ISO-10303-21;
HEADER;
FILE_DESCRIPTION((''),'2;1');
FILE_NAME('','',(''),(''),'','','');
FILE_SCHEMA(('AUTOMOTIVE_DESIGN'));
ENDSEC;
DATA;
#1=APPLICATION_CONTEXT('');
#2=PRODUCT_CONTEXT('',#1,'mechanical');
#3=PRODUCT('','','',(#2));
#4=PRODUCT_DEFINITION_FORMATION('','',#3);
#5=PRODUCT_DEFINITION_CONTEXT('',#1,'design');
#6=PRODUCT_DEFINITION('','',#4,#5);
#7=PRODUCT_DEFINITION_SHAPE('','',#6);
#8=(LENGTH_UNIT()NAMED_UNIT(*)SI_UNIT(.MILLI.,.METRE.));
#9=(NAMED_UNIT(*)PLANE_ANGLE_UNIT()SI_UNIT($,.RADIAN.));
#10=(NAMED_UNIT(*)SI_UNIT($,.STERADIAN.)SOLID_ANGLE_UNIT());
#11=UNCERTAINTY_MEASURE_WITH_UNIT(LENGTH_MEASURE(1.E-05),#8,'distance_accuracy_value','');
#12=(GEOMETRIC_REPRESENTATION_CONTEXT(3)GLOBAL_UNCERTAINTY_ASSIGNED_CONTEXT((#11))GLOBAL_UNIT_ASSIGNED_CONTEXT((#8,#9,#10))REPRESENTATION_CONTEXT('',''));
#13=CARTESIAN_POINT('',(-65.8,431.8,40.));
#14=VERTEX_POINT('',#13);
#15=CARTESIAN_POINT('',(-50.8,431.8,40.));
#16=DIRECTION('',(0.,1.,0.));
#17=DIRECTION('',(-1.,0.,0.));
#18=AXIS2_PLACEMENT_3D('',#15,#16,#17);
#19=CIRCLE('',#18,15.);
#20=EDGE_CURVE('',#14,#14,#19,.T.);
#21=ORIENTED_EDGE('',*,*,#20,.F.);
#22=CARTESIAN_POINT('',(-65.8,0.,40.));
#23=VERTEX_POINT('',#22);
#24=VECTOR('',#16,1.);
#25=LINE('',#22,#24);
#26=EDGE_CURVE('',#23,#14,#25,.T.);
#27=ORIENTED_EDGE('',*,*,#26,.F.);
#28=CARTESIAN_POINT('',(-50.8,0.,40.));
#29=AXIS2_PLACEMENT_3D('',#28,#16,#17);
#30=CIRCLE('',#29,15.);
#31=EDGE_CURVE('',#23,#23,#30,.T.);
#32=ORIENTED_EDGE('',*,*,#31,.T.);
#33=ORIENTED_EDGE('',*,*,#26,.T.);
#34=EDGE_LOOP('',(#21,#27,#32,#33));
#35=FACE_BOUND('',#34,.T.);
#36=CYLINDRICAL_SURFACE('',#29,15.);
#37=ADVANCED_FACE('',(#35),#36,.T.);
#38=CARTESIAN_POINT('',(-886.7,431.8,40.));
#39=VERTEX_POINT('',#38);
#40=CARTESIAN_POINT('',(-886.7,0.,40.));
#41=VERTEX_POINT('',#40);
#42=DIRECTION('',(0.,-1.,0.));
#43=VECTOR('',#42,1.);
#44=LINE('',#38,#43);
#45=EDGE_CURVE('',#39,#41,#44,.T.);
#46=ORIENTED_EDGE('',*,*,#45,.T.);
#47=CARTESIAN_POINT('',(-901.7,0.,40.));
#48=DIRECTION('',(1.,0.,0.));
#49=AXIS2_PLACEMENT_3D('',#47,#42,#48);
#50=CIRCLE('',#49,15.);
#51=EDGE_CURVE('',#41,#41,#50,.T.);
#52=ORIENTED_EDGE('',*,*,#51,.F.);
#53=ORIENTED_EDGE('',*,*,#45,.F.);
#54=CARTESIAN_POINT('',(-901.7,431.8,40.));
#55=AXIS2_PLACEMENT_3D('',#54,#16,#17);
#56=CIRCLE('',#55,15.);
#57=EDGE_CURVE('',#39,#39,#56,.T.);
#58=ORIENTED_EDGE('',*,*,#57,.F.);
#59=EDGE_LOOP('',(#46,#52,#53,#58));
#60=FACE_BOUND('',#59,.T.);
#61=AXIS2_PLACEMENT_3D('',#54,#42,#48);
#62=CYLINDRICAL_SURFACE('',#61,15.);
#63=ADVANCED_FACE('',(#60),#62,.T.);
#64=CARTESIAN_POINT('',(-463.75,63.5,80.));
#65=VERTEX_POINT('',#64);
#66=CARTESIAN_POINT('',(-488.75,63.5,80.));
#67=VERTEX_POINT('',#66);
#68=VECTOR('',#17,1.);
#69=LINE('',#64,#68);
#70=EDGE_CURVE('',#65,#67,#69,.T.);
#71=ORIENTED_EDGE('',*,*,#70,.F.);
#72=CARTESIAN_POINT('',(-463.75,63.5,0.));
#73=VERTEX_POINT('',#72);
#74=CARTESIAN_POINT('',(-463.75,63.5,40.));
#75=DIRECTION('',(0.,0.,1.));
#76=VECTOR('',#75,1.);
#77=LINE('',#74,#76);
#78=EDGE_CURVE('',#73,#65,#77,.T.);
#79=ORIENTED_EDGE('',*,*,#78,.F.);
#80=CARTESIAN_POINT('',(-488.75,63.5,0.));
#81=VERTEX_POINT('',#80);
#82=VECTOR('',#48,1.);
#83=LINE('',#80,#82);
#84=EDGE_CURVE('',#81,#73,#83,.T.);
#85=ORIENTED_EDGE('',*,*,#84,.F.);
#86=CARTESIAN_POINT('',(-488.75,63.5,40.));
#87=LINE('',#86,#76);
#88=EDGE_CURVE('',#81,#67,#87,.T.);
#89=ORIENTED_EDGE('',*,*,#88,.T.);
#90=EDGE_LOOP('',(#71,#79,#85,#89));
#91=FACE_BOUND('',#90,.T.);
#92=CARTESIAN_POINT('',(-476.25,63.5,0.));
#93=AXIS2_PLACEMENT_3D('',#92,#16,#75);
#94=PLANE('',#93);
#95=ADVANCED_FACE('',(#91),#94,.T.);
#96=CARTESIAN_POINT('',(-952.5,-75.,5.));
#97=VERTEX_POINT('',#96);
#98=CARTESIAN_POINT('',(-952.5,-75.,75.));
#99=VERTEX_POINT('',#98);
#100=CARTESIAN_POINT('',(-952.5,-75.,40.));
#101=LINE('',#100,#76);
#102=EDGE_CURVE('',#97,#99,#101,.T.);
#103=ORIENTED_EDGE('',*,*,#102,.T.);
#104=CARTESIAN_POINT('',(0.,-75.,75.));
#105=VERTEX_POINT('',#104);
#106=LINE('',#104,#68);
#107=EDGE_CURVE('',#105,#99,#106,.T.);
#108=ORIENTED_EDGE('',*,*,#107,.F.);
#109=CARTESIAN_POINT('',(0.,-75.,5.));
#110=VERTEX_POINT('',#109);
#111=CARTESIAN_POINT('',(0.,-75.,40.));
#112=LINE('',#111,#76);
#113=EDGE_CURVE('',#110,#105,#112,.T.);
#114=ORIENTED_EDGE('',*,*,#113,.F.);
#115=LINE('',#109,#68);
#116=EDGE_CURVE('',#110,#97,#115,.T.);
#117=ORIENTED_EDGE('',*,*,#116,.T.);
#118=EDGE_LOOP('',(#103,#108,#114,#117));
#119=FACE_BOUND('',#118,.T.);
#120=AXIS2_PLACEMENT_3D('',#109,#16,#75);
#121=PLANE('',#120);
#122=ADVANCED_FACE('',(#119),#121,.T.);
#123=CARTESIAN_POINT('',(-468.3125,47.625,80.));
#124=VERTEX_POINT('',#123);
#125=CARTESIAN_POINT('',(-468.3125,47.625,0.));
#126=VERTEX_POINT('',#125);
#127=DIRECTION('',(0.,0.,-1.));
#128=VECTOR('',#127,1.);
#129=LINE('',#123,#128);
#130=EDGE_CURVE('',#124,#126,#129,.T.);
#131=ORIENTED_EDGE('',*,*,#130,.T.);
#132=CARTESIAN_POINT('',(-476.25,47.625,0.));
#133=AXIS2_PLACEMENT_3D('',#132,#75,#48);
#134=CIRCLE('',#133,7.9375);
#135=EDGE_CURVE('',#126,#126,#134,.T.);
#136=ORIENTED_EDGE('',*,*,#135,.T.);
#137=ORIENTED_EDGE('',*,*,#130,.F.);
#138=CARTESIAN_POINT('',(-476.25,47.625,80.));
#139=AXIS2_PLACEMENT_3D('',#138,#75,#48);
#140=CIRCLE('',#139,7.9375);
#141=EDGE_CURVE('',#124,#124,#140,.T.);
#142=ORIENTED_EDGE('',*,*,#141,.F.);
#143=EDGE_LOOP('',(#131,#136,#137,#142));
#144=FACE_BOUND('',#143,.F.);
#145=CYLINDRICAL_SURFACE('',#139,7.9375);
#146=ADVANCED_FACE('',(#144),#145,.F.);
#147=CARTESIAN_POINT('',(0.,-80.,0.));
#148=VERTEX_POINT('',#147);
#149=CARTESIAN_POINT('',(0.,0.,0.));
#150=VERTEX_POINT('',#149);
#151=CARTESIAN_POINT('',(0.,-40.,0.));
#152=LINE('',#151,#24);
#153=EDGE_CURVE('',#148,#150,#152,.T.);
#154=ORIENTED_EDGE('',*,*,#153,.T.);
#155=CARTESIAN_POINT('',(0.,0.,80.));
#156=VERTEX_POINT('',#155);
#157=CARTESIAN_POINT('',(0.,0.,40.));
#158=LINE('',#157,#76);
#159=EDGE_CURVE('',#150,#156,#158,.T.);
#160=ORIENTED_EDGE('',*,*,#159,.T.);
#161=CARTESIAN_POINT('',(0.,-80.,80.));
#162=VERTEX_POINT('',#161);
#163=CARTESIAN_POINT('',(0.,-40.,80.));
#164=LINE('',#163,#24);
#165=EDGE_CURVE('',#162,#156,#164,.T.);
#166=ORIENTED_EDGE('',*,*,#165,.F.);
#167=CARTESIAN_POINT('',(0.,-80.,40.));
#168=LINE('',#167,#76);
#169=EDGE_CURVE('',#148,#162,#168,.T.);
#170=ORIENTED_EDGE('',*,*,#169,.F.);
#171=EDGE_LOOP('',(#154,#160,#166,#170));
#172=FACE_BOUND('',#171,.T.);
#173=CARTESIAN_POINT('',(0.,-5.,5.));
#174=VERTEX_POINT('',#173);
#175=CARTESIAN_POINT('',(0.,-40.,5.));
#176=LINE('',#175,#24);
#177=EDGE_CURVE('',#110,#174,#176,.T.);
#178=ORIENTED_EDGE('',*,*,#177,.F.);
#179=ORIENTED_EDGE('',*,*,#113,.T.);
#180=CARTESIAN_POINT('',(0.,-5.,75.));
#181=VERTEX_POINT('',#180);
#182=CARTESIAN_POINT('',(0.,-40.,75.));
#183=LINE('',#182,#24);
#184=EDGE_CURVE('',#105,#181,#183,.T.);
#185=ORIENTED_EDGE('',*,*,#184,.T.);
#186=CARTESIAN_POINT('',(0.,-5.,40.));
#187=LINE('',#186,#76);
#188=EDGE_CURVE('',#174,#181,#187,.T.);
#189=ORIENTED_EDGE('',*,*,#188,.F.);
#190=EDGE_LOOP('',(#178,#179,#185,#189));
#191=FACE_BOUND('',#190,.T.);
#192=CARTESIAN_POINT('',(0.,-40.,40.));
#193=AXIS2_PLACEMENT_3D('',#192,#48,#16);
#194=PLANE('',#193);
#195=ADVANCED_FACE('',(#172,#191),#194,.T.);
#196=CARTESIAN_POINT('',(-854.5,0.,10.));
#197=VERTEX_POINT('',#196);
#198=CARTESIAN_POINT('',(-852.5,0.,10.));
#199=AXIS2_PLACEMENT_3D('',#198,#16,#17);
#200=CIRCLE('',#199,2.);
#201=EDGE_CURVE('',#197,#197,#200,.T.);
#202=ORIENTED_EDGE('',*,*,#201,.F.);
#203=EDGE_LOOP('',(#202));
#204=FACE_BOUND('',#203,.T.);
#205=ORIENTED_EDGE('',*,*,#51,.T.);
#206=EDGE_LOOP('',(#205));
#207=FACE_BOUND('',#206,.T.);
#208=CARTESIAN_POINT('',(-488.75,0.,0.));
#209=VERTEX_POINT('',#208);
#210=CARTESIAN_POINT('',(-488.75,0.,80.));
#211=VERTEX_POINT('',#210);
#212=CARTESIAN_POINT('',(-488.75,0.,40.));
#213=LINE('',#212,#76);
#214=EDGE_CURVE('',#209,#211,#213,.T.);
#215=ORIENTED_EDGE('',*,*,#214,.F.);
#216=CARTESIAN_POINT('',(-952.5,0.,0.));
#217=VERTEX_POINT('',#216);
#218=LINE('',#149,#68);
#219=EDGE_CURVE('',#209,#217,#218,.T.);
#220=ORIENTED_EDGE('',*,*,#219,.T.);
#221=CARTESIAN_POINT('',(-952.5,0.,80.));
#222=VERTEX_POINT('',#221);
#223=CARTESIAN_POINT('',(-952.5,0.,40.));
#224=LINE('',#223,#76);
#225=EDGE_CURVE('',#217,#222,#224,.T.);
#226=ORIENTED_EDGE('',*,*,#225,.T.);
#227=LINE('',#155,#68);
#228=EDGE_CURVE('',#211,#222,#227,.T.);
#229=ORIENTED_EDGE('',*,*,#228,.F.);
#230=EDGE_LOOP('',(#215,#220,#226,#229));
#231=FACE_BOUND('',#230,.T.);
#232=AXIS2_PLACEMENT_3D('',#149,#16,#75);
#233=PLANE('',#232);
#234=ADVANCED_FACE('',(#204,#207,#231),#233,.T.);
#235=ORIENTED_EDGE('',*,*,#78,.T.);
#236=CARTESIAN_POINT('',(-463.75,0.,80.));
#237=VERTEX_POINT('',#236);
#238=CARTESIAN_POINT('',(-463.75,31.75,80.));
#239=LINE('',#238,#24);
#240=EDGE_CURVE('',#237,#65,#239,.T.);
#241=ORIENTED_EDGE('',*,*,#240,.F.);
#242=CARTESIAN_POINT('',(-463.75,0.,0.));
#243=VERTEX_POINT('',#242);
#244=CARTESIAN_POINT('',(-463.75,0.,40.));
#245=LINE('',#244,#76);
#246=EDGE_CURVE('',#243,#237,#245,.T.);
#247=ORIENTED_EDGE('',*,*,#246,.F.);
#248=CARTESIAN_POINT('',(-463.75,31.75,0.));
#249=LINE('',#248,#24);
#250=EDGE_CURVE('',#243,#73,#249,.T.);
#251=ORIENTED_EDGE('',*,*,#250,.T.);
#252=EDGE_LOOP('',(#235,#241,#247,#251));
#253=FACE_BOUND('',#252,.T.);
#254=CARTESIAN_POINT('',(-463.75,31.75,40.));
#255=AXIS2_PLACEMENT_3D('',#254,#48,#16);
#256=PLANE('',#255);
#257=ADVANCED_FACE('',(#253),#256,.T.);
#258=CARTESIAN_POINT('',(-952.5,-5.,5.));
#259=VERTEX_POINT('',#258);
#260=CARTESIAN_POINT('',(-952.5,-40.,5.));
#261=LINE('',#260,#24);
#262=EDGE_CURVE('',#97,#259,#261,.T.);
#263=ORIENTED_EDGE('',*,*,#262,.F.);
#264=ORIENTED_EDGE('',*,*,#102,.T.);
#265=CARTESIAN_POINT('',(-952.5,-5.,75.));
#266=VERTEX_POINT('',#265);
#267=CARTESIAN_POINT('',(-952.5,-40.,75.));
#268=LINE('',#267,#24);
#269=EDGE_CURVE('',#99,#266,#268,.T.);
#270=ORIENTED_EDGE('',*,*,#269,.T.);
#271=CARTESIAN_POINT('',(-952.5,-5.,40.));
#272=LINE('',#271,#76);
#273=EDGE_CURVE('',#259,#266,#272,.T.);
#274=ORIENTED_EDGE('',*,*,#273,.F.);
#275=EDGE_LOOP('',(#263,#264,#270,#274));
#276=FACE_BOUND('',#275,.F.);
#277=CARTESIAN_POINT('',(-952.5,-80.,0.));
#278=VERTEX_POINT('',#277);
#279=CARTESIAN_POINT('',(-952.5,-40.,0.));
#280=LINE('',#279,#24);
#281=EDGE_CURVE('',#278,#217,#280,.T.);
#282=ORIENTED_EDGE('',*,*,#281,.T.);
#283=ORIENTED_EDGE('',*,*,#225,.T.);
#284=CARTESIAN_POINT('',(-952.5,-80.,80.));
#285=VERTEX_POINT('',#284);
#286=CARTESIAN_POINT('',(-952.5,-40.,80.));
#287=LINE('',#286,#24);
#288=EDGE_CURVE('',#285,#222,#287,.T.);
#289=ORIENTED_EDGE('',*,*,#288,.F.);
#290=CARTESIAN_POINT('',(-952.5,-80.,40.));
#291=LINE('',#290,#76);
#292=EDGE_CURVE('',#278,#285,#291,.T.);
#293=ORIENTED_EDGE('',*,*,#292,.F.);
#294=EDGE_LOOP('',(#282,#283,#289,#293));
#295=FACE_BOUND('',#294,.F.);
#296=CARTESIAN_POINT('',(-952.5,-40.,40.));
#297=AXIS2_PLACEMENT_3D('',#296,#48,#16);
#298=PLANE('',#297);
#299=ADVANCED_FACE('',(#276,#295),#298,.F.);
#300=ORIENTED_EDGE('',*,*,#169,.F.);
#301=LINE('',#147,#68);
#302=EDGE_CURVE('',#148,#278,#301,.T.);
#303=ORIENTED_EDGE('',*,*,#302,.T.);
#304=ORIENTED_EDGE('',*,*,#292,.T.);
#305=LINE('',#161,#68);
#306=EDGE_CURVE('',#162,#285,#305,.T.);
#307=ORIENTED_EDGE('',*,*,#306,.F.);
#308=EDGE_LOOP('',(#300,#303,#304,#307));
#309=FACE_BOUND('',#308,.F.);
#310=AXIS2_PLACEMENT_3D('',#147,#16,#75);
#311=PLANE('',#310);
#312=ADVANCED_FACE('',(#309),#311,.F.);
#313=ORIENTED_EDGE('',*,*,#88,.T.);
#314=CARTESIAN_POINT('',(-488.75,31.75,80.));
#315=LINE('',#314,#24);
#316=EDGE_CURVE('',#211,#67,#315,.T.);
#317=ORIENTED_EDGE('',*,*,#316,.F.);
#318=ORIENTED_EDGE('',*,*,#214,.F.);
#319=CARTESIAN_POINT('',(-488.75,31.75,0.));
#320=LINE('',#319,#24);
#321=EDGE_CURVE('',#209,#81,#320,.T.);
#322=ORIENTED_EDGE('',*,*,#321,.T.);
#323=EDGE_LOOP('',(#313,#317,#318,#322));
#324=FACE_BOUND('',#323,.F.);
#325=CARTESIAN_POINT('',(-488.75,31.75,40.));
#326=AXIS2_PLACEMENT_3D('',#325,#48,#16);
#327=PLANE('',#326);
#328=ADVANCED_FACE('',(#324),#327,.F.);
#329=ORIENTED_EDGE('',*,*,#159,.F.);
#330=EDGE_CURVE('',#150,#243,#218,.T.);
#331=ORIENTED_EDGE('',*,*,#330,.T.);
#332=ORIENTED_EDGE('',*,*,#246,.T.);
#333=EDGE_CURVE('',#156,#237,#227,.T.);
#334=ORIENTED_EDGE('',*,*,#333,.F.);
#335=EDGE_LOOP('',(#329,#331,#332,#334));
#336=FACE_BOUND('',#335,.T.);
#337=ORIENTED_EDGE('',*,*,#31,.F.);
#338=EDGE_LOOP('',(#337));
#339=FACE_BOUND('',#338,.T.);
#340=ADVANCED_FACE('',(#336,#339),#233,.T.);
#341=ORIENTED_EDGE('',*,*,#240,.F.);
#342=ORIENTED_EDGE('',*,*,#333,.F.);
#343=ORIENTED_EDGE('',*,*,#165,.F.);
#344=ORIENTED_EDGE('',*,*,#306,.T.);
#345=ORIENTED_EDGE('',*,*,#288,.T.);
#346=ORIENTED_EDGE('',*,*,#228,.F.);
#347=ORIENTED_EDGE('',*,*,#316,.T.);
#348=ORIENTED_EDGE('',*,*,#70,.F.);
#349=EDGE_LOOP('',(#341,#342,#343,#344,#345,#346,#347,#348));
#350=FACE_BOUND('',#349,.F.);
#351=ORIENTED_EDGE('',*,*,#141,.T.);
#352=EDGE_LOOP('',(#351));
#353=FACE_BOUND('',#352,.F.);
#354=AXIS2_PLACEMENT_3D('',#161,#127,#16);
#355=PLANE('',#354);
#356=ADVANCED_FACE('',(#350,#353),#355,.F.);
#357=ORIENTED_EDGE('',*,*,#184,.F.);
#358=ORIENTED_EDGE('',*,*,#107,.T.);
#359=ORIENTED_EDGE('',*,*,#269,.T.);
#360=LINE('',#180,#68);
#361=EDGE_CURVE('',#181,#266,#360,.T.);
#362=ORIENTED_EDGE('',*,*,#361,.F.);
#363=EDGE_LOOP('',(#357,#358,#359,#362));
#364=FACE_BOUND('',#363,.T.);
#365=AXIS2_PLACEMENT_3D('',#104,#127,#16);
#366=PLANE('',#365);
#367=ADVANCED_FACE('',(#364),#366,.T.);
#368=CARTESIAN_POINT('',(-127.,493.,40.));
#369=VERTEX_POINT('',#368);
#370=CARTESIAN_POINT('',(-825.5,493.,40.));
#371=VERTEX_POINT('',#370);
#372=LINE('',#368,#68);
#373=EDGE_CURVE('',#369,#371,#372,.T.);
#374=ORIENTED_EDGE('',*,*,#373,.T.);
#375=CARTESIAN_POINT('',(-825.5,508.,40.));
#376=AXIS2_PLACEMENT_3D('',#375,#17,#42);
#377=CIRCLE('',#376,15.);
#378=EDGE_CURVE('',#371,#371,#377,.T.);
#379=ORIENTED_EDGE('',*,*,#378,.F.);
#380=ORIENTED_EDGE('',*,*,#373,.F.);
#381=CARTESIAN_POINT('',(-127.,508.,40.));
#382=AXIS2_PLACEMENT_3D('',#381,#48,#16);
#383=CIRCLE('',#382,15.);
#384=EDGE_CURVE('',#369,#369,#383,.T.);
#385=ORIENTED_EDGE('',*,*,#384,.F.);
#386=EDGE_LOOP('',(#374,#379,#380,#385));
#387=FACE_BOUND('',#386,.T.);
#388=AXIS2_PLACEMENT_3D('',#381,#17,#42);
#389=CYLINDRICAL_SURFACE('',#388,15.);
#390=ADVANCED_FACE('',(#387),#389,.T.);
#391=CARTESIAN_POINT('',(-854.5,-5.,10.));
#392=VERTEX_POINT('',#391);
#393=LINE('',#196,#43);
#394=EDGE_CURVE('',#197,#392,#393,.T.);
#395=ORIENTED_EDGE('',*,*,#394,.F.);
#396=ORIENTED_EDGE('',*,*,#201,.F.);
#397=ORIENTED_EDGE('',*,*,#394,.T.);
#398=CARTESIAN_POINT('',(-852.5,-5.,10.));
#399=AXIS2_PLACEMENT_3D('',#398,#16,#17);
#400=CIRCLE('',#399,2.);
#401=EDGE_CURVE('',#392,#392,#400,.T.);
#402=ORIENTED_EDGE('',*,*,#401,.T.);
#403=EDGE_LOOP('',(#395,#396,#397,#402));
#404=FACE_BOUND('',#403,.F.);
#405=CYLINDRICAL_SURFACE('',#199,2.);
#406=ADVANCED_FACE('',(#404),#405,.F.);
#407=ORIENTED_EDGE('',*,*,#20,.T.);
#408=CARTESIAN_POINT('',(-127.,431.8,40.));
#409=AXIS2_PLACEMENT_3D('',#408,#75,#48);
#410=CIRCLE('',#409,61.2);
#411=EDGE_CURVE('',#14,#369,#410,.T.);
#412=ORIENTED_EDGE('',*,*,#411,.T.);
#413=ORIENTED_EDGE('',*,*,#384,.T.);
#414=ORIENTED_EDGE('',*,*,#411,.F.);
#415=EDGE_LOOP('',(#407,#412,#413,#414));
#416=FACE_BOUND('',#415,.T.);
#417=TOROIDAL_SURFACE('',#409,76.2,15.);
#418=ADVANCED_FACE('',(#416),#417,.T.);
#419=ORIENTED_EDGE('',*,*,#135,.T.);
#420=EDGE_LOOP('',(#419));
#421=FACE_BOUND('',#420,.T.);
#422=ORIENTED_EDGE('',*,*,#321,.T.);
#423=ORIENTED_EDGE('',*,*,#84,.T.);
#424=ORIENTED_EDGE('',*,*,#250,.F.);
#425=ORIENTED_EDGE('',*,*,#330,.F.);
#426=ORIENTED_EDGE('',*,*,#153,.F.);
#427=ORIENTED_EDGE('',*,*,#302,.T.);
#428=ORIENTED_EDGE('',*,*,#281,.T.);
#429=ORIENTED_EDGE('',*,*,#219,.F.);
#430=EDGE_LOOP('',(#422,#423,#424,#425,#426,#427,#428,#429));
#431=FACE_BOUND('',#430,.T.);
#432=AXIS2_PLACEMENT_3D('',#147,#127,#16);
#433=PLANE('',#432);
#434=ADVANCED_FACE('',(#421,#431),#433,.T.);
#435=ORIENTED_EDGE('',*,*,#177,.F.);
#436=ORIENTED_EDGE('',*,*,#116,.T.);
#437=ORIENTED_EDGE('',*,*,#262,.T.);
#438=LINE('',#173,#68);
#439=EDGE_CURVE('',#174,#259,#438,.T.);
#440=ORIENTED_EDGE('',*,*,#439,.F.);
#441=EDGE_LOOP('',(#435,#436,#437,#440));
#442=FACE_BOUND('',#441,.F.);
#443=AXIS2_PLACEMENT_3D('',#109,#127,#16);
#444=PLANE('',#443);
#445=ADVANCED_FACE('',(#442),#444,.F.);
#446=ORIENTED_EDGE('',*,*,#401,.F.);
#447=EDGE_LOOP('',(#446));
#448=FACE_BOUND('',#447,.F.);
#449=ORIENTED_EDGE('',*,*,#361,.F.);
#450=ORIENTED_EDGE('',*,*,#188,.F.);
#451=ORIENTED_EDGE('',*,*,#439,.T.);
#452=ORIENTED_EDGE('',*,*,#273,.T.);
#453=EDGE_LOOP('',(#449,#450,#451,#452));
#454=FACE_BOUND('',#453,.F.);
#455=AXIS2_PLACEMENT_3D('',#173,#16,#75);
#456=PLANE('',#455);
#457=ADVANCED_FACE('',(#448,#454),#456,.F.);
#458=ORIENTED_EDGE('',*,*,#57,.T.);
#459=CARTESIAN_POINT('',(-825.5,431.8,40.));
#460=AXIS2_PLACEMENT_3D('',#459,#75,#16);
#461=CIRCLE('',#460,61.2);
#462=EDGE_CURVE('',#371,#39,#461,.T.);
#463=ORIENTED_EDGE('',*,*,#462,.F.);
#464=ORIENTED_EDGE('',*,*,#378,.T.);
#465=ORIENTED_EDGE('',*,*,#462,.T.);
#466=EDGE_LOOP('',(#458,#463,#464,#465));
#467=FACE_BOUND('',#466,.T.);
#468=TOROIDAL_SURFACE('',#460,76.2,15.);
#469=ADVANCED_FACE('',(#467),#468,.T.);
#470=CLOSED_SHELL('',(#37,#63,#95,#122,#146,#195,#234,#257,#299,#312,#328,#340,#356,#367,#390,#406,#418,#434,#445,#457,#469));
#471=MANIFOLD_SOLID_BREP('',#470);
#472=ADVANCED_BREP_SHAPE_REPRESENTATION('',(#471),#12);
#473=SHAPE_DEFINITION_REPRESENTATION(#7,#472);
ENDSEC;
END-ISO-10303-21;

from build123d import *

# Parameters (mm, degrees)
F0_W      = 80
F0_H      = 80
F0_W_2    = 70
F0_H_2    = 70
F1_DEPTH  = 952.5
F4_R      = 15
F7_W      = 63.5
F7_H      = 80
F8_DEPTH  = 12.5
F9_R      = 7.9375
F10_DEPTH = 80.001
F11_R     = 2
F12_DEPTH = 5


with BuildPart() as f1:
    # F0 (on Right) → F1 (new body)
    with BuildSketch(Plane.YZ):
        with Locations((-40, 40)):
            Rectangle(F0_W, F0_H)
        with Locations((-40, 40)):
            Rectangle(F0_W_2, F0_H_2, mode=Mode.SUBTRACT)
    extrude(amount=-F1_DEPTH)

    # F5: sweep along a path in F3
    with BuildLine(Plane.XY.offset(40)) as f5_path:
        Line((-50.8, 0), (-50.8, 431.8))
        ThreePointArc((-50.8, 431.8), (-73.1184632736, 485.6815367264), (-127, 508))
        Line((-127, 508), (-825.5, 508))
        ThreePointArc((-825.5, 508), (-879.3815367264, 485.6815367264), (-901.7, 431.8))
        Line((-901.7, 431.8), (-901.7, 0))
    # F4 (on face) → F5 (sweep)
    with BuildSketch(Plane(origin=(0, 0, 0), x_dir=(-1, 0, 0), z_dir=(0, 1, 0))):
        with Locations((50.8, 40)):
            Circle(F4_R)
    sweep(path=f5_path.line)

    # F7 (on mid) → F8 (join, symmetric)
    with BuildSketch(Plane.YZ.offset(-476.25)):
        with Locations((31.75, 40)):
            Rectangle(F7_W, F7_H)
    extrude(amount=F8_DEPTH, both=True)

    # F9 (on face) → F10 (cut, through all)
    with BuildSketch(Plane.XY.offset(80)):
        with Locations((-476.25, 47.625)):
            Circle(F9_R)
    extrude(amount=-F10_DEPTH, mode=Mode.SUBTRACT)

    # F11 (on face) → F12 (cut, through all)
    with BuildSketch(Plane(origin=(0, 0, 0), x_dir=(-1, 0, 0), z_dir=(0, 1, 0))):
        with Locations((852.5, 10)):
            Circle(F11_R)
    extrude(amount=-F12_DEPTH, mode=Mode.SUBTRACT)


solid = f1.part
